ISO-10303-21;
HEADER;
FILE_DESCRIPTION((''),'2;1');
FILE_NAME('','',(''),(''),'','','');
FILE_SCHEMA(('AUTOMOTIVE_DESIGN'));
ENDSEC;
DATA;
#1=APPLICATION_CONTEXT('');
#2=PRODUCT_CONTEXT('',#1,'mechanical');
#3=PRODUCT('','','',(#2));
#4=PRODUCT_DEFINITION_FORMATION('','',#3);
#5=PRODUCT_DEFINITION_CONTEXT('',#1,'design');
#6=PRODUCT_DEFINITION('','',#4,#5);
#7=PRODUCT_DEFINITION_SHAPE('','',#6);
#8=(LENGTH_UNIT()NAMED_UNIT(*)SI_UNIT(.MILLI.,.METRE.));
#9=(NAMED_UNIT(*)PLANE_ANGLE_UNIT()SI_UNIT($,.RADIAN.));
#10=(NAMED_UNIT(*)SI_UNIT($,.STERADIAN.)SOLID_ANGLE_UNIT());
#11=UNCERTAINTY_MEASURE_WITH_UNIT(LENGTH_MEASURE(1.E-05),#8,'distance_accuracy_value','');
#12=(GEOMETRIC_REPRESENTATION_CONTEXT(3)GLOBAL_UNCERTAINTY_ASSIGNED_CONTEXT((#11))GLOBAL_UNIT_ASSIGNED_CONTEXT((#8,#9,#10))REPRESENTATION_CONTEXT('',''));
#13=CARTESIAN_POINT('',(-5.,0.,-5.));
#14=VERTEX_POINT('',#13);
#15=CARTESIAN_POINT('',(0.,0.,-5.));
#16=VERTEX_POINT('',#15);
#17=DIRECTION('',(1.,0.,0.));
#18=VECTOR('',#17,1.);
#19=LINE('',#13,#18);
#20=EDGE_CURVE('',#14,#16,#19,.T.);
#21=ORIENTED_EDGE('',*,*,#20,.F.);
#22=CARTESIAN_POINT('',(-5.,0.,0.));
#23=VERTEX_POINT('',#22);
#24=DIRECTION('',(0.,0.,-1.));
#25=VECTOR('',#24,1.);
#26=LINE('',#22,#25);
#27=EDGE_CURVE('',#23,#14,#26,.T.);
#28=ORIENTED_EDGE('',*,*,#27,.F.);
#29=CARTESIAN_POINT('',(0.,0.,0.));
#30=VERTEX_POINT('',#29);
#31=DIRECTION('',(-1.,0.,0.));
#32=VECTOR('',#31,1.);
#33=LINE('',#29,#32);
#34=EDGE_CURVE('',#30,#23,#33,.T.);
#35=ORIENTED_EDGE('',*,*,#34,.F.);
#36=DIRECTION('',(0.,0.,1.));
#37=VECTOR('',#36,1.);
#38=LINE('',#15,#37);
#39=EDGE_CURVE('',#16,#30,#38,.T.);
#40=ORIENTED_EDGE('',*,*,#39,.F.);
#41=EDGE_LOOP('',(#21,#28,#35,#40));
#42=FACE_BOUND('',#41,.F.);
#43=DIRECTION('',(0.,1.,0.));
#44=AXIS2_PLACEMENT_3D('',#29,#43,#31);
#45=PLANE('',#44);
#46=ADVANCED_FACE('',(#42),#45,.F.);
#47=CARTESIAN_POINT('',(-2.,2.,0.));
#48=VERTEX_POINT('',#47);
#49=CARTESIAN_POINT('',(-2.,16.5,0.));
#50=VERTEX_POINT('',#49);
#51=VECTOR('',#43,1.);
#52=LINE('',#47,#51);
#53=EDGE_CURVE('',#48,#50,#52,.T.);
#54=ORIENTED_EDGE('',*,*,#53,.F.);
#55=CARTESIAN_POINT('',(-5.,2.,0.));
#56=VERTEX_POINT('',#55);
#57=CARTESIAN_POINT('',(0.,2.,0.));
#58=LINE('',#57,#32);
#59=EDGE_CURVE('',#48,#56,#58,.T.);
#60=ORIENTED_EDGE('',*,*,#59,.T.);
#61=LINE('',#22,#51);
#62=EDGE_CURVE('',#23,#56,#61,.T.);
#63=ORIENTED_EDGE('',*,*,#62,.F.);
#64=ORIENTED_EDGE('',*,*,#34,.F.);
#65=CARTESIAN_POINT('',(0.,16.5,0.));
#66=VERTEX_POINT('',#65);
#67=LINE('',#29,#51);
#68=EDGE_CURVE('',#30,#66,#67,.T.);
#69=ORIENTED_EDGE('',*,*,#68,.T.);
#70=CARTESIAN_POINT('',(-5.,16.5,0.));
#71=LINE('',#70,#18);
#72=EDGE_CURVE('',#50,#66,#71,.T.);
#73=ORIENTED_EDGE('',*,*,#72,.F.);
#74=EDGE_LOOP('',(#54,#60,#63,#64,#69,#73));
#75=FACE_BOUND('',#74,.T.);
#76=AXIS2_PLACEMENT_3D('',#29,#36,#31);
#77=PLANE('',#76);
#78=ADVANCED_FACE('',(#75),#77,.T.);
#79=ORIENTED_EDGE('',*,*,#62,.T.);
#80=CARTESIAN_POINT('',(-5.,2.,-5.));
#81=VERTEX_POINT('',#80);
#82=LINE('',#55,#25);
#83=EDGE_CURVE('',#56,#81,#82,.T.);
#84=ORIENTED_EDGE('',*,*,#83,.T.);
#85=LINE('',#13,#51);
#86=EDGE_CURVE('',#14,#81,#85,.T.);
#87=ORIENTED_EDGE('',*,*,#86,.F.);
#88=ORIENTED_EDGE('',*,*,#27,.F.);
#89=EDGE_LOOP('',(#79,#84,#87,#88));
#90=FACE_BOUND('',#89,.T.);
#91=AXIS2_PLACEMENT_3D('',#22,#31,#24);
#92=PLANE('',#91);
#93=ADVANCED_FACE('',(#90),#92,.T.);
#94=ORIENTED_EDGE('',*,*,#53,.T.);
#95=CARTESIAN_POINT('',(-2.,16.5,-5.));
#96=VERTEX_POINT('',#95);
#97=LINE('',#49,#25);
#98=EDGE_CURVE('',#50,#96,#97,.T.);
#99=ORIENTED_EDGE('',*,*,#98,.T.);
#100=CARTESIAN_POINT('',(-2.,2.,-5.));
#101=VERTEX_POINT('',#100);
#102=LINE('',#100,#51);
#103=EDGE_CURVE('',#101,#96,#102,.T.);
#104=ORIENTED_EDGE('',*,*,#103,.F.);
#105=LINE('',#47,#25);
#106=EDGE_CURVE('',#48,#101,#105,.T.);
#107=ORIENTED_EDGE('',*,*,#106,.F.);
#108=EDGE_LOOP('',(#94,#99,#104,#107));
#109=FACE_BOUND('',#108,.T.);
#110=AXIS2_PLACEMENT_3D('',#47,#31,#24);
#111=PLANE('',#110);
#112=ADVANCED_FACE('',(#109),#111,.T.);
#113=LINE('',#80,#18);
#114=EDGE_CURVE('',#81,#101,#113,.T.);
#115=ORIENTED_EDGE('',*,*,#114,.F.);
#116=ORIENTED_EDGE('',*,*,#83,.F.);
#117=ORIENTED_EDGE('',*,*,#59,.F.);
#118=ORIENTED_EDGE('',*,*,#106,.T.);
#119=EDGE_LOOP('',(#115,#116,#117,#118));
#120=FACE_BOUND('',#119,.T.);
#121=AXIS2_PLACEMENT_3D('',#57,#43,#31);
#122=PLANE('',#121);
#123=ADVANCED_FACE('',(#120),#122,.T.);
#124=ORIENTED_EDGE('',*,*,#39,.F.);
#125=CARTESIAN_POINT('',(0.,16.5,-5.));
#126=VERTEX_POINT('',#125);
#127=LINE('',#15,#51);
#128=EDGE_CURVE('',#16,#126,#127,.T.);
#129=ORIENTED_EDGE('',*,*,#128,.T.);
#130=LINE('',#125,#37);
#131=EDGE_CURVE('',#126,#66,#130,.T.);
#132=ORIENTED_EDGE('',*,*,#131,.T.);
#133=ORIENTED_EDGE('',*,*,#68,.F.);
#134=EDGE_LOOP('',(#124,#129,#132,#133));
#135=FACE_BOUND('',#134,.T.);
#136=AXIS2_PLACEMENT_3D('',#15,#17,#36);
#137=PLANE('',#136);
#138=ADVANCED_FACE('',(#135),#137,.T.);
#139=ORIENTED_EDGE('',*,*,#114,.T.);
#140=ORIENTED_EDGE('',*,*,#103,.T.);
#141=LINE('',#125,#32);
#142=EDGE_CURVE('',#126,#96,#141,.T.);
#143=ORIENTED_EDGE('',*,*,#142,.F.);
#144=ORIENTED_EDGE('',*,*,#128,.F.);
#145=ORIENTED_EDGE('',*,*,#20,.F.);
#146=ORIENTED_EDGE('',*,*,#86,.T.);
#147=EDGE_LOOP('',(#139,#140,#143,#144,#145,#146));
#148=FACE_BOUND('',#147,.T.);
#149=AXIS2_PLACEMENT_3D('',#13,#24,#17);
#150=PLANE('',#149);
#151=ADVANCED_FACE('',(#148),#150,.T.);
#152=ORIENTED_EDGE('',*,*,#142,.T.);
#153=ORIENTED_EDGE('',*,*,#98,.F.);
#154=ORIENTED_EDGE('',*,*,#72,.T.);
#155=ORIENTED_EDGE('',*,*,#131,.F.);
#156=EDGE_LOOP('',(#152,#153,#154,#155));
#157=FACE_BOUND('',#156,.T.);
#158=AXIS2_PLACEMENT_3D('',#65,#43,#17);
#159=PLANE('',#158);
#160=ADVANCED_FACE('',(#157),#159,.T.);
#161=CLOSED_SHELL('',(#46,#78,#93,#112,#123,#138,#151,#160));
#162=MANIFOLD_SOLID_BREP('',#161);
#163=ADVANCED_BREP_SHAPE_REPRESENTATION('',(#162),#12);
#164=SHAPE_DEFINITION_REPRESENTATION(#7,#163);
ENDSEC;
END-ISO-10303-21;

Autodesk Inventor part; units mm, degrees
ref_plane "YZ Plane" through (0, 0, 0) normal (1, 0, 0) x (0, 1, 0)
ref_plane "XZ Plane" through (0, 0, 0) normal (0, 1, 0) x (-1, 0, 0)
ref_plane "XY Plane" through (0, 0, 0) normal (0, 0, 1) x (1, 0, 0)
sketch "Sketch1" plane through (0, 0, 0) normal (0, 1, 0) x (-1, 0, 0)
  line L0 (0, 0) -> (5, 0)
  line L1 (5, 0) -> (5, -5)
  line L2 (5, -5) -> (0, -5)
  line L3 (0, -5) -> (0, 0)
  dimension "d0" = 5
  dimension "d1" = 5
extrude "Extrusion1" add sketch "Sketch1" along normal blind 2
sketch "Sketch3" plane through (0, 2, 0) normal (0, 1, 0) x (1, 0, 0)
  line L0 (-5, 0) -> (0, 0) projected
  line L1 (0, 5) -> (-5, 5) projected
  line L2 (0, 0) -> (-2, 0)
  line L3 (-2, 0) -> (-2, 5)
  line L4 (-2, 5) -> (0, 5)
  line L5 (0, 5) -> (0, 0)
  dimension "d4" = 2
extrude "Extrusion2" add sketch "Sketch3" along normal blind 14.5
properties part number "Knuckle Stopper - Palm"
